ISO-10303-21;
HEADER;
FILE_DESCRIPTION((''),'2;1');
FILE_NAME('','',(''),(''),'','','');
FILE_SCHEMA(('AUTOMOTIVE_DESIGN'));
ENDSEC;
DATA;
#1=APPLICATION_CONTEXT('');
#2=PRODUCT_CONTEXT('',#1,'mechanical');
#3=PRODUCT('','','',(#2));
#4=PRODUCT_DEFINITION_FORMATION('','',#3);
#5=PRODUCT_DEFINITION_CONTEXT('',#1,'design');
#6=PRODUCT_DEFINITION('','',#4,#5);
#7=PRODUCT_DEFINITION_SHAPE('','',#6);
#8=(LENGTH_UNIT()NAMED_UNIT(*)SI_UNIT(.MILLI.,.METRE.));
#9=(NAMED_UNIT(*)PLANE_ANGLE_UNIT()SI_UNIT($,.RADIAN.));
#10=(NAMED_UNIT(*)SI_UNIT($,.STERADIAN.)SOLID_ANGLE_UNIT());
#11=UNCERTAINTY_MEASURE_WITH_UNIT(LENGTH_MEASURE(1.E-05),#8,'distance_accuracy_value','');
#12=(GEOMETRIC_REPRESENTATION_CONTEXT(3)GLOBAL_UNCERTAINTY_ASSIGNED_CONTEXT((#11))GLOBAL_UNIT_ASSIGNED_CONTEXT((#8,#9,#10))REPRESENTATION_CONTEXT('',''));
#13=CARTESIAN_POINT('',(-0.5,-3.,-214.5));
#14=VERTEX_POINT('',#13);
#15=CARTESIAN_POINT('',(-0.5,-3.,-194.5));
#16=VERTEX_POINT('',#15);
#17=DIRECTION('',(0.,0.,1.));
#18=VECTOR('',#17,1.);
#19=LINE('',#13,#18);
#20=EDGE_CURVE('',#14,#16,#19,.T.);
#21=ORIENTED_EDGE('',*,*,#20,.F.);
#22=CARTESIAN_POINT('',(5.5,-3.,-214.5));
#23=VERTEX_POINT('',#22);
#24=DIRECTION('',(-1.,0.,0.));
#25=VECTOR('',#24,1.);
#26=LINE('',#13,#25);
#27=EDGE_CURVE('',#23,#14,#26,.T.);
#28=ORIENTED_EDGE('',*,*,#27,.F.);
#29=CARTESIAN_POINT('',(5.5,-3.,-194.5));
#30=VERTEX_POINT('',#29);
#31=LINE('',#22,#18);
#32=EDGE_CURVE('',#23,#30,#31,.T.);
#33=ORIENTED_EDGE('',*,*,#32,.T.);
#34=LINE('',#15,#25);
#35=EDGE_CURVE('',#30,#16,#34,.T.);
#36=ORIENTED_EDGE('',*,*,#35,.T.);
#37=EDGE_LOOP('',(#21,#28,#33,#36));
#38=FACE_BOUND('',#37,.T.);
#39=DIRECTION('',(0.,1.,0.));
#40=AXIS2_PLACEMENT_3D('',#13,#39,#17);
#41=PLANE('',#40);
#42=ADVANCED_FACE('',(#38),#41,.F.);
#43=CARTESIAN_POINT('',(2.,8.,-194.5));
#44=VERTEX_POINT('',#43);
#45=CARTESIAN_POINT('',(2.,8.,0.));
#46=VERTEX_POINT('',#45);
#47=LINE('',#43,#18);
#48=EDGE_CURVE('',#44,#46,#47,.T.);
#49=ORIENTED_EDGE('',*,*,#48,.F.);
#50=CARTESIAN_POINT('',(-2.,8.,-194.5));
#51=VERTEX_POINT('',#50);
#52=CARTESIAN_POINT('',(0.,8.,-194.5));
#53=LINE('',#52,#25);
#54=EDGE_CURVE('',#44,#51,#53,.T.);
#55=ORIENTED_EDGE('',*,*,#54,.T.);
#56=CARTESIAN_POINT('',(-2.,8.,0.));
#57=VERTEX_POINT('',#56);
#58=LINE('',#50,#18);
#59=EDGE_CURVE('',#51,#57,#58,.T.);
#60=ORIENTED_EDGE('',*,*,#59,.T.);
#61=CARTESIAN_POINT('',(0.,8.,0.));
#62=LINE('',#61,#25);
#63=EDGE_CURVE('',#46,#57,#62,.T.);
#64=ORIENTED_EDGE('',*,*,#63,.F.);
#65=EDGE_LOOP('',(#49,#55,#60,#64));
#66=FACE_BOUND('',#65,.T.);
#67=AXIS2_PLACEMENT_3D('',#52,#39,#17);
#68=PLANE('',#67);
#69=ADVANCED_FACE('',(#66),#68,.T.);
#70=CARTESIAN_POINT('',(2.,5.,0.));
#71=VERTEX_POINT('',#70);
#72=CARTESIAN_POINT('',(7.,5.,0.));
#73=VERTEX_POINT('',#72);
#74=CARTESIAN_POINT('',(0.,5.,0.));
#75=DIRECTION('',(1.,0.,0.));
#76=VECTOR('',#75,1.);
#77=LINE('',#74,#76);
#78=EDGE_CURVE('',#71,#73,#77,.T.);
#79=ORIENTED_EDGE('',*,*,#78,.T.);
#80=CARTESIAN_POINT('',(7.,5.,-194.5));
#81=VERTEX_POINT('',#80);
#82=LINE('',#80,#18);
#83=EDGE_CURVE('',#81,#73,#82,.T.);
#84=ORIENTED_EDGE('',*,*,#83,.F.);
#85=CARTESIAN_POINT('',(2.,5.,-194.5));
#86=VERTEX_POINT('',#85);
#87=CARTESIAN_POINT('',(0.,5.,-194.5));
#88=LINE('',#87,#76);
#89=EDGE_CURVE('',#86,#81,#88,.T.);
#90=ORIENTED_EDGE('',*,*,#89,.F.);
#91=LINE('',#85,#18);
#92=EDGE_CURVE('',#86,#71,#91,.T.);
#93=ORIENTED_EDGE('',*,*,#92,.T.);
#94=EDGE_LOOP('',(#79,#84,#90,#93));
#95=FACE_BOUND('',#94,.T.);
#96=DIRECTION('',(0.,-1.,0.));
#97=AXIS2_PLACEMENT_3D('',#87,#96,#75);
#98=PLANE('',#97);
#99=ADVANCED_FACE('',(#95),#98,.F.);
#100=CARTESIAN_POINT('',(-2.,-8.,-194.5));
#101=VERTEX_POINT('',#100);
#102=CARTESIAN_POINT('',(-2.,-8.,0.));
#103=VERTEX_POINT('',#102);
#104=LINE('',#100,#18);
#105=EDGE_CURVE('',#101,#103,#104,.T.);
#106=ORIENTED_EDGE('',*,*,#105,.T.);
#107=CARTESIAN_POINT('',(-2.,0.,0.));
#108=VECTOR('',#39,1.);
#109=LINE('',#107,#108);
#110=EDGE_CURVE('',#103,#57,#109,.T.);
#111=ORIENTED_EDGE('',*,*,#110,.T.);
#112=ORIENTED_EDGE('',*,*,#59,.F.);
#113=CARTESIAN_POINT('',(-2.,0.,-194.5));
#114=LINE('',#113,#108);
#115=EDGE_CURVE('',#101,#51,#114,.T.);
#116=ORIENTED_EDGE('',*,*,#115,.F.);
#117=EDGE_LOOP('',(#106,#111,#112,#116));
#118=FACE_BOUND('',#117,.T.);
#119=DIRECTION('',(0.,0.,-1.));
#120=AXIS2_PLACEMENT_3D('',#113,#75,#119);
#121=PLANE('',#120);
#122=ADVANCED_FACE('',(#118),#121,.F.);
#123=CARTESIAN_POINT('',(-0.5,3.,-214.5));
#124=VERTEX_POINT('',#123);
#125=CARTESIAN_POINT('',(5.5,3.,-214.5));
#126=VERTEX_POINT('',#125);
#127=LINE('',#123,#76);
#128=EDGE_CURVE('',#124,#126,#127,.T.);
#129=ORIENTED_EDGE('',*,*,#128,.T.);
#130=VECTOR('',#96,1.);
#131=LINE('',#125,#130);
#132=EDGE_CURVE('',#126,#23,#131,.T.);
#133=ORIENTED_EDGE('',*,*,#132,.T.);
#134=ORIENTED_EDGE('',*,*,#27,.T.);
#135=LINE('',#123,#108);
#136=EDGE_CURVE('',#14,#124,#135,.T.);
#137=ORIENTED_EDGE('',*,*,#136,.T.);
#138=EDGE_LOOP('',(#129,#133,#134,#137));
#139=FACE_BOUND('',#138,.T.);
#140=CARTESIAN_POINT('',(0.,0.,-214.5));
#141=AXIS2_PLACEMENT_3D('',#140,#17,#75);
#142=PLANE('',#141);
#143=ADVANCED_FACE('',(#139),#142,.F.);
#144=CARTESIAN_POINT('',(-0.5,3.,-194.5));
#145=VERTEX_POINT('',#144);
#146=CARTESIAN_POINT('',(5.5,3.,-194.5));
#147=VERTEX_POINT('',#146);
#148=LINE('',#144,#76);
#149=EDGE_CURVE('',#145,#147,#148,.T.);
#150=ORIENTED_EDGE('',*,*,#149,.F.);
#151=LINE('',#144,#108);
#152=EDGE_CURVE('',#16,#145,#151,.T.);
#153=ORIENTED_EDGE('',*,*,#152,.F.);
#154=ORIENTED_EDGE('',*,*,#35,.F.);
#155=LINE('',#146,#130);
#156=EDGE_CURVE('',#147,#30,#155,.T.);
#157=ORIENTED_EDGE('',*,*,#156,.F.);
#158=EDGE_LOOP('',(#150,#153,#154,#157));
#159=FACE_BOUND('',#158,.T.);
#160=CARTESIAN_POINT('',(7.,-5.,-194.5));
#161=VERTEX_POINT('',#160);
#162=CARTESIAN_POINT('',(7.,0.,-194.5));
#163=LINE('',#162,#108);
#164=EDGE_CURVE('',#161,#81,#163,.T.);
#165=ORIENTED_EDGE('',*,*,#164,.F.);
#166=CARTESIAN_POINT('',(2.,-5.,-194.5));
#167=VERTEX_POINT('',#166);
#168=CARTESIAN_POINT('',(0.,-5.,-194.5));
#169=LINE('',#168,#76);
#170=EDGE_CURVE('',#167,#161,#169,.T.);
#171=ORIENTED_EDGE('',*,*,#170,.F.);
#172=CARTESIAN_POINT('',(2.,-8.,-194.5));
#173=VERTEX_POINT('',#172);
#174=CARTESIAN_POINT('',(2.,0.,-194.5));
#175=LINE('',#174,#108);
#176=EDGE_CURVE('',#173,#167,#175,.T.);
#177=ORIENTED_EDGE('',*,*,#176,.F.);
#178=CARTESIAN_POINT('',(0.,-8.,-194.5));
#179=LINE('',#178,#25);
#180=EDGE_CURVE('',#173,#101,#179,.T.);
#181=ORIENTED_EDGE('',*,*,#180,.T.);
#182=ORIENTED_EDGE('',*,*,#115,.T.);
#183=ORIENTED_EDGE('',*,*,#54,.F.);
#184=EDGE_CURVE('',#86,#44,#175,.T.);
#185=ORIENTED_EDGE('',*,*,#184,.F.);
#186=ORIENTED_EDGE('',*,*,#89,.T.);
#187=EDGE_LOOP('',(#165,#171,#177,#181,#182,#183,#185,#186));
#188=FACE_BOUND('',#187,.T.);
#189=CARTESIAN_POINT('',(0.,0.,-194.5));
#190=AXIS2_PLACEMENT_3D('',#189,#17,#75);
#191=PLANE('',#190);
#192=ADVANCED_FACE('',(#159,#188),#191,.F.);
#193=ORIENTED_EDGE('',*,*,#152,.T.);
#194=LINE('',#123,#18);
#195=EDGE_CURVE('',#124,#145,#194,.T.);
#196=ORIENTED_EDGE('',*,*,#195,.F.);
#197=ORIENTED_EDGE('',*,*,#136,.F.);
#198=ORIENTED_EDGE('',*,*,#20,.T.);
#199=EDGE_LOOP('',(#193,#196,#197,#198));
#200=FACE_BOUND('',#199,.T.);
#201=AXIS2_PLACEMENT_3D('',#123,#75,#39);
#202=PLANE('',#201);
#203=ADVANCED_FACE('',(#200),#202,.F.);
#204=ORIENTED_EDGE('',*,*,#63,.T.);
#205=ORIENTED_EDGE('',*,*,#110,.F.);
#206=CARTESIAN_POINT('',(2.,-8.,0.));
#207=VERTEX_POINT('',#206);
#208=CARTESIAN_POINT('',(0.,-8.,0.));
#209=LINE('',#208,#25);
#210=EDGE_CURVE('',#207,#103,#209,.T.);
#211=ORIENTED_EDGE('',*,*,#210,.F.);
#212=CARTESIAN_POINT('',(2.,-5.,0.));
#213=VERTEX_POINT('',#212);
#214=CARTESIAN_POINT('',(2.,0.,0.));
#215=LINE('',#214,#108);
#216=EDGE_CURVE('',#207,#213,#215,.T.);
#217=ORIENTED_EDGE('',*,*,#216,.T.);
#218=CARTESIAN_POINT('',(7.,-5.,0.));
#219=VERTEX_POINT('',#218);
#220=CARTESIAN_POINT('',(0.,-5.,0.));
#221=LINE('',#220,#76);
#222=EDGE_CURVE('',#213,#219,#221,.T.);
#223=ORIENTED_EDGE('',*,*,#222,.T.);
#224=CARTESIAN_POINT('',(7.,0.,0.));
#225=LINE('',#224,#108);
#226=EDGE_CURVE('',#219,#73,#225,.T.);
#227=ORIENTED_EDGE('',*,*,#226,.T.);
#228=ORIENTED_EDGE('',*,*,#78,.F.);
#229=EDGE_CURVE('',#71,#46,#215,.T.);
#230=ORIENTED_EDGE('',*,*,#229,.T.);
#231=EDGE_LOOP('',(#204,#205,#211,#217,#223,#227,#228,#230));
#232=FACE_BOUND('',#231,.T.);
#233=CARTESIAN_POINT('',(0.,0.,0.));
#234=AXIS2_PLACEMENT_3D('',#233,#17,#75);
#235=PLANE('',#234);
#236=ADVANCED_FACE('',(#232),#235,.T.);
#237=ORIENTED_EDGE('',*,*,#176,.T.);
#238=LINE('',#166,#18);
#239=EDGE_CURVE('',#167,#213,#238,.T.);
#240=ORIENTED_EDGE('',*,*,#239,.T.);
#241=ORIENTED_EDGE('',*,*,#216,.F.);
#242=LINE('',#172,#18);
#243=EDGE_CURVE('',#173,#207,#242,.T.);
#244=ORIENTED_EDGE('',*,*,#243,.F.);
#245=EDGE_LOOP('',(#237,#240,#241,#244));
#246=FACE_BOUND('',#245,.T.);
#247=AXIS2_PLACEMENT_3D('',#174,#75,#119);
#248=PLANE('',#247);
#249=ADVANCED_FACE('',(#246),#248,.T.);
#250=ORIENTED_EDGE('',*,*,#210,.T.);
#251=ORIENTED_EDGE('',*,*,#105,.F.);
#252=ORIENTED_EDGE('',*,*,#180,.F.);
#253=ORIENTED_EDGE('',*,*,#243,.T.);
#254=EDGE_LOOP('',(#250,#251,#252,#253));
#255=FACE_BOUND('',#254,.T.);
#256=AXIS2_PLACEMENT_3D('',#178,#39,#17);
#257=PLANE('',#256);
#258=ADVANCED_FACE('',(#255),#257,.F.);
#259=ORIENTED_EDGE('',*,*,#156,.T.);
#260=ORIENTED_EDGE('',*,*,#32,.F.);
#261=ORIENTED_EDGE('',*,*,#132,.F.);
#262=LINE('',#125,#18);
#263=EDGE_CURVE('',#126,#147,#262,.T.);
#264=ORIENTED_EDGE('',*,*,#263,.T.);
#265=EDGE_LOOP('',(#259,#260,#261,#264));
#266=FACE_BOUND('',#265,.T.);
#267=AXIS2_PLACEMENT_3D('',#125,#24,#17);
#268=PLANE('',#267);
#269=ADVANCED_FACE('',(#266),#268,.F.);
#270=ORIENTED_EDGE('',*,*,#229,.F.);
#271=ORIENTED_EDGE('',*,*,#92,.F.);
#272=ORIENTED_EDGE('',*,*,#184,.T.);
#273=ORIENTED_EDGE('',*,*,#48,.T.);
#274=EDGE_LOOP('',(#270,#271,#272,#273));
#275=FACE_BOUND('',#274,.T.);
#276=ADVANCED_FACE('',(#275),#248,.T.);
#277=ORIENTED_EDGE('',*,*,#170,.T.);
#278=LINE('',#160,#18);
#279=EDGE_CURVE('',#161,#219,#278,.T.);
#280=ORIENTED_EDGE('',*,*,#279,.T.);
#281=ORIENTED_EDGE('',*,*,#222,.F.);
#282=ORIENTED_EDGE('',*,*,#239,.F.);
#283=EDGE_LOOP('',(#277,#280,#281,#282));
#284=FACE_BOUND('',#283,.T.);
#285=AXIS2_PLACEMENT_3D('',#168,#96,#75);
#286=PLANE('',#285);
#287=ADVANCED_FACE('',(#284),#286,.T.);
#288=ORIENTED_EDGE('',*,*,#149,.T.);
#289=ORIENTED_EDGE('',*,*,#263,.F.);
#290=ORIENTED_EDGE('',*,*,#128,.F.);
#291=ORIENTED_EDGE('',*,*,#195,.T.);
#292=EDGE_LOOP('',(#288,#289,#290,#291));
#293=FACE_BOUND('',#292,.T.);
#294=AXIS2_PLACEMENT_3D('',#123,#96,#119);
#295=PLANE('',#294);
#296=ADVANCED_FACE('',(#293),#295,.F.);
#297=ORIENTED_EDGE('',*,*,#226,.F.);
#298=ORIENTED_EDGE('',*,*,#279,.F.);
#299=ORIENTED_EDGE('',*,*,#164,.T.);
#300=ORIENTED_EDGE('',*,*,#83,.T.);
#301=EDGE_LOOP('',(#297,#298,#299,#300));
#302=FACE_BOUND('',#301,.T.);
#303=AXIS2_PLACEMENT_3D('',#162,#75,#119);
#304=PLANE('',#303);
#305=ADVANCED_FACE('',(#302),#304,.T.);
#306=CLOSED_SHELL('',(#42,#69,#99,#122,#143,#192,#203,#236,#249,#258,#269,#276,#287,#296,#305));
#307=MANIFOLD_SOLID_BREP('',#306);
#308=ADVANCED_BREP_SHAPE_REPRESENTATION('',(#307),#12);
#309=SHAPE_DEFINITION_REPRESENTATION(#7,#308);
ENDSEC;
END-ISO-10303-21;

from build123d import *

# Parameters (mm, degrees)
SKETCH1_W           = 10
SKETCH1_H           = 5
SKETCH1_W_2         = 16
SKETCH1_H_2         = 4
BOSS_EXTRUDE1_DEPTH = 194.5
SKETCH2_W           = 6
SKETCH2_H           = 6
BOSS_EXTRUDE2_DEPTH = 20


with BuildPart() as part:
    # Sketch1 → Boss-Extrude1 (new body)
    with BuildSketch(Plane(origin=(0, 0, 0), x_dir=(0, 1, 0), z_dir=(0, 0, 1))):
        with Locations((0, -4.5)):
            Rectangle(SKETCH1_W, SKETCH1_H)
        Rectangle(SKETCH1_W_2, SKETCH1_H_2)
    extrude(amount=-BOSS_EXTRUDE1_DEPTH)

    # Sketch2 → Boss-Extrude2 (add)
    with BuildSketch(Plane(origin=(0, 0, -194.5), x_dir=(1, 0, 0), z_dir=(0, 0, -1))):
        with Locations((2.5, 0)):
            Rectangle(SKETCH2_W, SKETCH2_H)
    extrude(amount=BOSS_EXTRUDE2_DEPTH)


solid = part.part
